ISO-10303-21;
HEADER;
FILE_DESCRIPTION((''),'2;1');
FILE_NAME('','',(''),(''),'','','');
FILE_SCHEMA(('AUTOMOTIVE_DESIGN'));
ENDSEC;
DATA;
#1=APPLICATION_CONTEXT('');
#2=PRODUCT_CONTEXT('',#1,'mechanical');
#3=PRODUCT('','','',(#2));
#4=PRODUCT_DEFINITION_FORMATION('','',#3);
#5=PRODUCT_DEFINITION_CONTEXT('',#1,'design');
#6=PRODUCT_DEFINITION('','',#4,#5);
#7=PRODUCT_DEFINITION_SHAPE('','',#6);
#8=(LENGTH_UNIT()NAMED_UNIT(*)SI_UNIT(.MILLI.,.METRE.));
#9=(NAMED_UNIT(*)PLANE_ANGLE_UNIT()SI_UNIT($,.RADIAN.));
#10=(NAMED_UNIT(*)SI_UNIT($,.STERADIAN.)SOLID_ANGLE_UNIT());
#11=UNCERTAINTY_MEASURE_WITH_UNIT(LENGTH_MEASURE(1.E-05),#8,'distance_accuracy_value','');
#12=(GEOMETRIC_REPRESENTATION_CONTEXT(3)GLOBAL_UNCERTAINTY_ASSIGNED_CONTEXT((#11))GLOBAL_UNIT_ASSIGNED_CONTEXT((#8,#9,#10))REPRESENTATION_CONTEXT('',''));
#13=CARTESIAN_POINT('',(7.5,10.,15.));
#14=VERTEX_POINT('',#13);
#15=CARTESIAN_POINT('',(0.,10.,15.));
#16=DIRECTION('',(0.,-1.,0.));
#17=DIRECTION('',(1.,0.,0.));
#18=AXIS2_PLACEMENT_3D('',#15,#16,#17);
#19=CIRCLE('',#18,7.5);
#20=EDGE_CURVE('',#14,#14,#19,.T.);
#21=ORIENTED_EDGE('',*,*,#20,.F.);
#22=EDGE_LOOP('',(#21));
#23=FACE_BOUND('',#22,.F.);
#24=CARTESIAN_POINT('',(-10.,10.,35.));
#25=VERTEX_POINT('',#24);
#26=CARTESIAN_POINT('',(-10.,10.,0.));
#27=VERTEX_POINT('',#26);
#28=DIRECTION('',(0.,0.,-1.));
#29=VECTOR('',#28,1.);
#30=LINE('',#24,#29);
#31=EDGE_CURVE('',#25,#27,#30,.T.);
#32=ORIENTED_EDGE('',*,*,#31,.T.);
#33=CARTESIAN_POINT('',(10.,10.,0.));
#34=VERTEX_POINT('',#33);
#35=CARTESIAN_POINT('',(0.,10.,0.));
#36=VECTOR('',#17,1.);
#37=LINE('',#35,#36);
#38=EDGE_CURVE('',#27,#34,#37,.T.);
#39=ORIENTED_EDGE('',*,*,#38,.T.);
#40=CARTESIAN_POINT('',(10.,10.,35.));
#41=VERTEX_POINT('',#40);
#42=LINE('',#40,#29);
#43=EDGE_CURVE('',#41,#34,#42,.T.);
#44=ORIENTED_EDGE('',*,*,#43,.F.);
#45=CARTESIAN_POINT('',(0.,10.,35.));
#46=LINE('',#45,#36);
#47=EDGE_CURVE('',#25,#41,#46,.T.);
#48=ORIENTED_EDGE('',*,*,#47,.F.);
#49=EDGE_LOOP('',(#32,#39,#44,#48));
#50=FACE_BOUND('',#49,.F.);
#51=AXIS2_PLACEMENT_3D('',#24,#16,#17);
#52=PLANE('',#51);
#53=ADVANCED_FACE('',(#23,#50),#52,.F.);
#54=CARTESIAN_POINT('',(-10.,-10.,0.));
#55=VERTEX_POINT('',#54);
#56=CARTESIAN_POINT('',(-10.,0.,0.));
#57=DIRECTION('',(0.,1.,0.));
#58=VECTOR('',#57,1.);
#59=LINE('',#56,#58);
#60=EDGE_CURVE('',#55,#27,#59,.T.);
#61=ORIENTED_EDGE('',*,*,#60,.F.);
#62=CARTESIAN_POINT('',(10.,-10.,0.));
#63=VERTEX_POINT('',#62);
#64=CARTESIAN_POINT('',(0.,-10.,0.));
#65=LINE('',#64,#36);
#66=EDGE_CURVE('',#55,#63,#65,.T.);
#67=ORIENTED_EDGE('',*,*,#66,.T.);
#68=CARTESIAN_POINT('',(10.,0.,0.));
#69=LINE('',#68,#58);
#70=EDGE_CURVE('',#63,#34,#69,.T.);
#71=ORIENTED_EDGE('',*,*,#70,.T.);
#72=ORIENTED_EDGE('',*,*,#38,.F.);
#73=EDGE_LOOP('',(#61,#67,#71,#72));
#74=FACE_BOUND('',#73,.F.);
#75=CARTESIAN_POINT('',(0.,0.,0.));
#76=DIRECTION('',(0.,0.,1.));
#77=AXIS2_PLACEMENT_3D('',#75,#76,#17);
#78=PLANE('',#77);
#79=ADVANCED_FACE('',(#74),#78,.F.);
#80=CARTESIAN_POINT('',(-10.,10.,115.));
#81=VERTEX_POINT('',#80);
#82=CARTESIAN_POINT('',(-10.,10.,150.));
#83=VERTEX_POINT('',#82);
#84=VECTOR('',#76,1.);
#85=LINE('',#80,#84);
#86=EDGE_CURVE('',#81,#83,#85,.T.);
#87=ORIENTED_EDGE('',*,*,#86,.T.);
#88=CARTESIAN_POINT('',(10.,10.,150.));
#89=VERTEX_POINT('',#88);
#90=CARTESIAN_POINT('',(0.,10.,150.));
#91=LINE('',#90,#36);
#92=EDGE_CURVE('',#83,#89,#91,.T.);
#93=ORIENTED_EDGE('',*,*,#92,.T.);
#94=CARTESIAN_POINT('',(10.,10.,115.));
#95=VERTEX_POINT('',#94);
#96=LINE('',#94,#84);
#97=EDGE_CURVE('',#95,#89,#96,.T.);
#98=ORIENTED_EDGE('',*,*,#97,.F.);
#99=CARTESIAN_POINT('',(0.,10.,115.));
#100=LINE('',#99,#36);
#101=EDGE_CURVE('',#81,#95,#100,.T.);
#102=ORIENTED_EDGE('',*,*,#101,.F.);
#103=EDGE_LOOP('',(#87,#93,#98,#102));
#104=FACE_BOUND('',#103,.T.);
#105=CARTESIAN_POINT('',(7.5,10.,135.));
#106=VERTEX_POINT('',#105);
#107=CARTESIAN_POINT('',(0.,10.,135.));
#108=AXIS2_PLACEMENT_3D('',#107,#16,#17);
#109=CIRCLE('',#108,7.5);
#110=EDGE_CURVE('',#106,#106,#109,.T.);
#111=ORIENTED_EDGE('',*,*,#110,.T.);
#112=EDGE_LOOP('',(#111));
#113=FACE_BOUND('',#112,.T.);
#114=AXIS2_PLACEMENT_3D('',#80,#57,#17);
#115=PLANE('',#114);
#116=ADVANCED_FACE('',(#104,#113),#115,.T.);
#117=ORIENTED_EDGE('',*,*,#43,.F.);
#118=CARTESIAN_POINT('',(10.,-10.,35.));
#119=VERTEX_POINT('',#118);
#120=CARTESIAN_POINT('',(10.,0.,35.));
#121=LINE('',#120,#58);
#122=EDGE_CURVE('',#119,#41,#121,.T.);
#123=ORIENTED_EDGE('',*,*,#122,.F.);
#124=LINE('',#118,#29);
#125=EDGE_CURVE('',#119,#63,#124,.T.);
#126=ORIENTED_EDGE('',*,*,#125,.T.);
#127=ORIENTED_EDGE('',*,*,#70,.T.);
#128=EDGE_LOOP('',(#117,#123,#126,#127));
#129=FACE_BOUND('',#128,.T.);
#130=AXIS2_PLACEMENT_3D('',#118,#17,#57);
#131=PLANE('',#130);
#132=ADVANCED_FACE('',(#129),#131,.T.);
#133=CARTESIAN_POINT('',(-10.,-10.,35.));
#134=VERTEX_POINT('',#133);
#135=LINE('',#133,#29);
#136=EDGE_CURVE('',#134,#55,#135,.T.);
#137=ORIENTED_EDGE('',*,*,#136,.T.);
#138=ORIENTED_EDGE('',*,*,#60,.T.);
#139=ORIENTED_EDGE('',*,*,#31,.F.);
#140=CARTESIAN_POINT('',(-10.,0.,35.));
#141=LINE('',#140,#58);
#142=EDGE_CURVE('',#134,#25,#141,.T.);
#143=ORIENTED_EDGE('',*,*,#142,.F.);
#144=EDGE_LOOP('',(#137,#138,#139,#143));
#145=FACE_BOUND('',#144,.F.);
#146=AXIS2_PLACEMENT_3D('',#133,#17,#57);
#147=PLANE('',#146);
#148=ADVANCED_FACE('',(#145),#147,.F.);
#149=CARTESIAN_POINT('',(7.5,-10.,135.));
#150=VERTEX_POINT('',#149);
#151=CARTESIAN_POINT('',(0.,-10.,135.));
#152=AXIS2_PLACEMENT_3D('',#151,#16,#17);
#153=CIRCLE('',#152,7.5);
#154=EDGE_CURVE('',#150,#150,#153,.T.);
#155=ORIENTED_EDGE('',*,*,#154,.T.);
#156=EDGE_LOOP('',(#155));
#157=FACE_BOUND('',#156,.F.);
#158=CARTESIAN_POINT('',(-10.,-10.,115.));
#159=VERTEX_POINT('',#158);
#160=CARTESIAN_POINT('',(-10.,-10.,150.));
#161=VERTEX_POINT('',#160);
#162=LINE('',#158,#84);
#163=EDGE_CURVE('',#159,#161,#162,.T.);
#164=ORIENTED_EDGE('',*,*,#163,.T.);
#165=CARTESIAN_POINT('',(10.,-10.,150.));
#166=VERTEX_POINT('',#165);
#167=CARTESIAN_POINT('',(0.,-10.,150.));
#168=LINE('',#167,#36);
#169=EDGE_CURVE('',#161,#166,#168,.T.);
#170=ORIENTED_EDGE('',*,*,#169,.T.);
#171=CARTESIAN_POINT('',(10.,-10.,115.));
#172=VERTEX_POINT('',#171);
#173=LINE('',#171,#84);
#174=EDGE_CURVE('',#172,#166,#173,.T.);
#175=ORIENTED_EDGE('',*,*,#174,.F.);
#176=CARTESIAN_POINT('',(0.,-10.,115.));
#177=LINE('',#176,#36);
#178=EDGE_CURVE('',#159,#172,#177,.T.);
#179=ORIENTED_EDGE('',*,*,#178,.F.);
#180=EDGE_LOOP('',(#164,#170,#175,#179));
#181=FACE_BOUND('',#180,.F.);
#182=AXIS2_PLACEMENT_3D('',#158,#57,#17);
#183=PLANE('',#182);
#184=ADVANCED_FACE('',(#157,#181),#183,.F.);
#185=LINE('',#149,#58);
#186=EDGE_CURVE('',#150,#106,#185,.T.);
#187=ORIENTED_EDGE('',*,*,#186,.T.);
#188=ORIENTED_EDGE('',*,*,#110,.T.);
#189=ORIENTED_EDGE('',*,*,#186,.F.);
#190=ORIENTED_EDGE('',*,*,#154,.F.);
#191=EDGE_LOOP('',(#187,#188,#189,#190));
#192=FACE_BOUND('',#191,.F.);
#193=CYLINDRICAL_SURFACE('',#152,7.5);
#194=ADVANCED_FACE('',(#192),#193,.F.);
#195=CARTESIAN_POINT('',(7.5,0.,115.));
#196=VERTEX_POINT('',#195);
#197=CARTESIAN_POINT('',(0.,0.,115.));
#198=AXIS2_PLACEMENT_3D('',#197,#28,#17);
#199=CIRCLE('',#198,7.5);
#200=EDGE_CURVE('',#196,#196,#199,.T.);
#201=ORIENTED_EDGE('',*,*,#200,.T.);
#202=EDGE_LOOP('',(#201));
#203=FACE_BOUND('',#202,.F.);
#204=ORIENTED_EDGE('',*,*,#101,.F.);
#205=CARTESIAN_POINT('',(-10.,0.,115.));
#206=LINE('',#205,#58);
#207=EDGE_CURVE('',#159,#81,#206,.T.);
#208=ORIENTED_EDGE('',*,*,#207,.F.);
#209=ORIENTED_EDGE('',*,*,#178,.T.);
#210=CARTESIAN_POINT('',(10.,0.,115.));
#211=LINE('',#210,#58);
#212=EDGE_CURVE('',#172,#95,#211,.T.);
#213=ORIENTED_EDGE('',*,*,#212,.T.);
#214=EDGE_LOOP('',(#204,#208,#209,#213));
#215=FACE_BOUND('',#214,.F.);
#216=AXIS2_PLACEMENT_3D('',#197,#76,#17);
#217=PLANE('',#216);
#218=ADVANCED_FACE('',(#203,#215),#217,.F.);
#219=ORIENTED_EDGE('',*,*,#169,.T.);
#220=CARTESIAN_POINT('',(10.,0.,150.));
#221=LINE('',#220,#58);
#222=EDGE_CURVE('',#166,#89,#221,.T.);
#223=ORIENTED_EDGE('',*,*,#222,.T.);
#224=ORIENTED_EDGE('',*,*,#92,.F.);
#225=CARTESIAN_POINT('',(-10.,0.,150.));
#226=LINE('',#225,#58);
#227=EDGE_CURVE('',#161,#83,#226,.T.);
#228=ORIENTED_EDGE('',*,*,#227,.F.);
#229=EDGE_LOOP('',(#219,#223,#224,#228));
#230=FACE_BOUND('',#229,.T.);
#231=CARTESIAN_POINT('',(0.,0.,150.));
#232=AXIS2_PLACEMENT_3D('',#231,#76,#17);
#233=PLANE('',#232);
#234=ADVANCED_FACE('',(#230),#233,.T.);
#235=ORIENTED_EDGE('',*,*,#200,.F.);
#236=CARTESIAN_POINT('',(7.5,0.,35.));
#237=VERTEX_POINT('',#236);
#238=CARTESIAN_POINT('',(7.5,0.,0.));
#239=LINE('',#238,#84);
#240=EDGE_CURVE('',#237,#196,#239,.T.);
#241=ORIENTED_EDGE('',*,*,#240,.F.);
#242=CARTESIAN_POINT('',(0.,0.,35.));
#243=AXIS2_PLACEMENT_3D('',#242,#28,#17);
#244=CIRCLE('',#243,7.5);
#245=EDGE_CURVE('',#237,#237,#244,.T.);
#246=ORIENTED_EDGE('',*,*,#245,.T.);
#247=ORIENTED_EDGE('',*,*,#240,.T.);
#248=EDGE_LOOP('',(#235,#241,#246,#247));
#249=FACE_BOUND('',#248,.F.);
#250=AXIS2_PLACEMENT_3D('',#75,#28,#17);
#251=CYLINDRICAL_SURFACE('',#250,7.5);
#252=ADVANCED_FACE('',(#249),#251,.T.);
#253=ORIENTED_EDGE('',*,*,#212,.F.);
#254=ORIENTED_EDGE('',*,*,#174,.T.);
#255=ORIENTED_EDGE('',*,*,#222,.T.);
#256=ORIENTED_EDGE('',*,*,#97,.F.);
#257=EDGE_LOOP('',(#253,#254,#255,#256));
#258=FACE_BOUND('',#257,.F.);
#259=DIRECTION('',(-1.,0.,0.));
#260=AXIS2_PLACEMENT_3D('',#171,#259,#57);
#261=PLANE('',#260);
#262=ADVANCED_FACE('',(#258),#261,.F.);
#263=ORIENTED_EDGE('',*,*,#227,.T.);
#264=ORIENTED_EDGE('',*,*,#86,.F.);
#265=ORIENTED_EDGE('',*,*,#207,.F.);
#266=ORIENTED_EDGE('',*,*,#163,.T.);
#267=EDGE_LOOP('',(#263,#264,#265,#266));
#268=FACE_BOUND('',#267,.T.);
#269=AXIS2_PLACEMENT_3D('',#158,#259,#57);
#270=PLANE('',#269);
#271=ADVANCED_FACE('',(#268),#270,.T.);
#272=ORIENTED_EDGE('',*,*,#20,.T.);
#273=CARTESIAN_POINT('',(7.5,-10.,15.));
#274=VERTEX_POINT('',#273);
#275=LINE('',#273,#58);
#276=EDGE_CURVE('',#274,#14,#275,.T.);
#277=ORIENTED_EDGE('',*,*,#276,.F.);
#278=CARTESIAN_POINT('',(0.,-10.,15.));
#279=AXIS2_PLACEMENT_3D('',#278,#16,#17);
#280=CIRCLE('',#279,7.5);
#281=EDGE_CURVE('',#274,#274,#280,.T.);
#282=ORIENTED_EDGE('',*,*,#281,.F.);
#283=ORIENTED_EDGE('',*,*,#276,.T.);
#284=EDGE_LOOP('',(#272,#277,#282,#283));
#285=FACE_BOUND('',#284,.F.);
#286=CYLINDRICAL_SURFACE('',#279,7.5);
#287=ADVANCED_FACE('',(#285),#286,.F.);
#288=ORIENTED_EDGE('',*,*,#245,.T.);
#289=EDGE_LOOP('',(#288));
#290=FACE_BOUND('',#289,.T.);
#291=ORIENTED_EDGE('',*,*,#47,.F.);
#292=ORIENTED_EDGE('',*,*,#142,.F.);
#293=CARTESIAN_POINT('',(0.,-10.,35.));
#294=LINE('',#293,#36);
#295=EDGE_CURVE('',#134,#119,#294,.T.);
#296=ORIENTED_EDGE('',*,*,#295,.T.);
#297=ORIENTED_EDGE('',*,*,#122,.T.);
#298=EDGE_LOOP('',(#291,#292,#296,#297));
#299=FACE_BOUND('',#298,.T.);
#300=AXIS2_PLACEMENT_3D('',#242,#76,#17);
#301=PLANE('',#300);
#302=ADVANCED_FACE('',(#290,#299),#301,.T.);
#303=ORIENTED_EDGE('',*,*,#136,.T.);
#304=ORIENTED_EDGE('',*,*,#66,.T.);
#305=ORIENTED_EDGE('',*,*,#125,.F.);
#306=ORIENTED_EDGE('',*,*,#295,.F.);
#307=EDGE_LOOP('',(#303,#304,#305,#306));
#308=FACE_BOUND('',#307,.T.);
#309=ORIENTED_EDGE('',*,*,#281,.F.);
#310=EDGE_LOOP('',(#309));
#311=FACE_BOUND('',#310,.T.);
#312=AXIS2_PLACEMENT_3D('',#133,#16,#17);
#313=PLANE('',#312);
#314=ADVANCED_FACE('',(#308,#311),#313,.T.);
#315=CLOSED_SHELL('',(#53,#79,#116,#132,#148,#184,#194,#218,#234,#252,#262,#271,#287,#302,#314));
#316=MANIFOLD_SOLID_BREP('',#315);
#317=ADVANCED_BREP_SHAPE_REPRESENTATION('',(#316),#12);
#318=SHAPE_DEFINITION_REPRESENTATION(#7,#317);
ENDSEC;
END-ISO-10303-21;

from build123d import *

# Parameters (mm, degrees)
F0_R     = 7.5
F1_DEPTH = 150
F4_W     = 20
F4_H     = 20
F5_DEPTH = 35
F6_W     = 20
F6_H     = 20
F7_DEPTH = 35
F8_R     = 7.5
F9_DEPTH = 20


with BuildPart() as f1:
    # F0 (on Top) → F1 (new body)
    with BuildSketch(Plane.XY):
        Circle(F0_R)
    extrude(amount=F1_DEPTH)

    # F4 (on offset) → F5 (join)
    with BuildSketch(Plane.XY.offset(35)):
        Rectangle(F4_W, F4_H)
    extrude(amount=-F5_DEPTH)

    # F6 (on offset) → F7 (join)
    with BuildSketch(Plane.XY.offset(115)):
        Rectangle(F6_W, F6_H)
    extrude(amount=F7_DEPTH)

    # F8 (on face) → F9 (cut, through all)
    with BuildSketch(Plane.XZ.offset(10)):
        with Locations((0, 135)):
            Circle(F8_R)
        with Locations((0, 15)):
            Circle(F8_R)
    extrude(amount=-F9_DEPTH, mode=Mode.SUBTRACT)


solid = f1.part
